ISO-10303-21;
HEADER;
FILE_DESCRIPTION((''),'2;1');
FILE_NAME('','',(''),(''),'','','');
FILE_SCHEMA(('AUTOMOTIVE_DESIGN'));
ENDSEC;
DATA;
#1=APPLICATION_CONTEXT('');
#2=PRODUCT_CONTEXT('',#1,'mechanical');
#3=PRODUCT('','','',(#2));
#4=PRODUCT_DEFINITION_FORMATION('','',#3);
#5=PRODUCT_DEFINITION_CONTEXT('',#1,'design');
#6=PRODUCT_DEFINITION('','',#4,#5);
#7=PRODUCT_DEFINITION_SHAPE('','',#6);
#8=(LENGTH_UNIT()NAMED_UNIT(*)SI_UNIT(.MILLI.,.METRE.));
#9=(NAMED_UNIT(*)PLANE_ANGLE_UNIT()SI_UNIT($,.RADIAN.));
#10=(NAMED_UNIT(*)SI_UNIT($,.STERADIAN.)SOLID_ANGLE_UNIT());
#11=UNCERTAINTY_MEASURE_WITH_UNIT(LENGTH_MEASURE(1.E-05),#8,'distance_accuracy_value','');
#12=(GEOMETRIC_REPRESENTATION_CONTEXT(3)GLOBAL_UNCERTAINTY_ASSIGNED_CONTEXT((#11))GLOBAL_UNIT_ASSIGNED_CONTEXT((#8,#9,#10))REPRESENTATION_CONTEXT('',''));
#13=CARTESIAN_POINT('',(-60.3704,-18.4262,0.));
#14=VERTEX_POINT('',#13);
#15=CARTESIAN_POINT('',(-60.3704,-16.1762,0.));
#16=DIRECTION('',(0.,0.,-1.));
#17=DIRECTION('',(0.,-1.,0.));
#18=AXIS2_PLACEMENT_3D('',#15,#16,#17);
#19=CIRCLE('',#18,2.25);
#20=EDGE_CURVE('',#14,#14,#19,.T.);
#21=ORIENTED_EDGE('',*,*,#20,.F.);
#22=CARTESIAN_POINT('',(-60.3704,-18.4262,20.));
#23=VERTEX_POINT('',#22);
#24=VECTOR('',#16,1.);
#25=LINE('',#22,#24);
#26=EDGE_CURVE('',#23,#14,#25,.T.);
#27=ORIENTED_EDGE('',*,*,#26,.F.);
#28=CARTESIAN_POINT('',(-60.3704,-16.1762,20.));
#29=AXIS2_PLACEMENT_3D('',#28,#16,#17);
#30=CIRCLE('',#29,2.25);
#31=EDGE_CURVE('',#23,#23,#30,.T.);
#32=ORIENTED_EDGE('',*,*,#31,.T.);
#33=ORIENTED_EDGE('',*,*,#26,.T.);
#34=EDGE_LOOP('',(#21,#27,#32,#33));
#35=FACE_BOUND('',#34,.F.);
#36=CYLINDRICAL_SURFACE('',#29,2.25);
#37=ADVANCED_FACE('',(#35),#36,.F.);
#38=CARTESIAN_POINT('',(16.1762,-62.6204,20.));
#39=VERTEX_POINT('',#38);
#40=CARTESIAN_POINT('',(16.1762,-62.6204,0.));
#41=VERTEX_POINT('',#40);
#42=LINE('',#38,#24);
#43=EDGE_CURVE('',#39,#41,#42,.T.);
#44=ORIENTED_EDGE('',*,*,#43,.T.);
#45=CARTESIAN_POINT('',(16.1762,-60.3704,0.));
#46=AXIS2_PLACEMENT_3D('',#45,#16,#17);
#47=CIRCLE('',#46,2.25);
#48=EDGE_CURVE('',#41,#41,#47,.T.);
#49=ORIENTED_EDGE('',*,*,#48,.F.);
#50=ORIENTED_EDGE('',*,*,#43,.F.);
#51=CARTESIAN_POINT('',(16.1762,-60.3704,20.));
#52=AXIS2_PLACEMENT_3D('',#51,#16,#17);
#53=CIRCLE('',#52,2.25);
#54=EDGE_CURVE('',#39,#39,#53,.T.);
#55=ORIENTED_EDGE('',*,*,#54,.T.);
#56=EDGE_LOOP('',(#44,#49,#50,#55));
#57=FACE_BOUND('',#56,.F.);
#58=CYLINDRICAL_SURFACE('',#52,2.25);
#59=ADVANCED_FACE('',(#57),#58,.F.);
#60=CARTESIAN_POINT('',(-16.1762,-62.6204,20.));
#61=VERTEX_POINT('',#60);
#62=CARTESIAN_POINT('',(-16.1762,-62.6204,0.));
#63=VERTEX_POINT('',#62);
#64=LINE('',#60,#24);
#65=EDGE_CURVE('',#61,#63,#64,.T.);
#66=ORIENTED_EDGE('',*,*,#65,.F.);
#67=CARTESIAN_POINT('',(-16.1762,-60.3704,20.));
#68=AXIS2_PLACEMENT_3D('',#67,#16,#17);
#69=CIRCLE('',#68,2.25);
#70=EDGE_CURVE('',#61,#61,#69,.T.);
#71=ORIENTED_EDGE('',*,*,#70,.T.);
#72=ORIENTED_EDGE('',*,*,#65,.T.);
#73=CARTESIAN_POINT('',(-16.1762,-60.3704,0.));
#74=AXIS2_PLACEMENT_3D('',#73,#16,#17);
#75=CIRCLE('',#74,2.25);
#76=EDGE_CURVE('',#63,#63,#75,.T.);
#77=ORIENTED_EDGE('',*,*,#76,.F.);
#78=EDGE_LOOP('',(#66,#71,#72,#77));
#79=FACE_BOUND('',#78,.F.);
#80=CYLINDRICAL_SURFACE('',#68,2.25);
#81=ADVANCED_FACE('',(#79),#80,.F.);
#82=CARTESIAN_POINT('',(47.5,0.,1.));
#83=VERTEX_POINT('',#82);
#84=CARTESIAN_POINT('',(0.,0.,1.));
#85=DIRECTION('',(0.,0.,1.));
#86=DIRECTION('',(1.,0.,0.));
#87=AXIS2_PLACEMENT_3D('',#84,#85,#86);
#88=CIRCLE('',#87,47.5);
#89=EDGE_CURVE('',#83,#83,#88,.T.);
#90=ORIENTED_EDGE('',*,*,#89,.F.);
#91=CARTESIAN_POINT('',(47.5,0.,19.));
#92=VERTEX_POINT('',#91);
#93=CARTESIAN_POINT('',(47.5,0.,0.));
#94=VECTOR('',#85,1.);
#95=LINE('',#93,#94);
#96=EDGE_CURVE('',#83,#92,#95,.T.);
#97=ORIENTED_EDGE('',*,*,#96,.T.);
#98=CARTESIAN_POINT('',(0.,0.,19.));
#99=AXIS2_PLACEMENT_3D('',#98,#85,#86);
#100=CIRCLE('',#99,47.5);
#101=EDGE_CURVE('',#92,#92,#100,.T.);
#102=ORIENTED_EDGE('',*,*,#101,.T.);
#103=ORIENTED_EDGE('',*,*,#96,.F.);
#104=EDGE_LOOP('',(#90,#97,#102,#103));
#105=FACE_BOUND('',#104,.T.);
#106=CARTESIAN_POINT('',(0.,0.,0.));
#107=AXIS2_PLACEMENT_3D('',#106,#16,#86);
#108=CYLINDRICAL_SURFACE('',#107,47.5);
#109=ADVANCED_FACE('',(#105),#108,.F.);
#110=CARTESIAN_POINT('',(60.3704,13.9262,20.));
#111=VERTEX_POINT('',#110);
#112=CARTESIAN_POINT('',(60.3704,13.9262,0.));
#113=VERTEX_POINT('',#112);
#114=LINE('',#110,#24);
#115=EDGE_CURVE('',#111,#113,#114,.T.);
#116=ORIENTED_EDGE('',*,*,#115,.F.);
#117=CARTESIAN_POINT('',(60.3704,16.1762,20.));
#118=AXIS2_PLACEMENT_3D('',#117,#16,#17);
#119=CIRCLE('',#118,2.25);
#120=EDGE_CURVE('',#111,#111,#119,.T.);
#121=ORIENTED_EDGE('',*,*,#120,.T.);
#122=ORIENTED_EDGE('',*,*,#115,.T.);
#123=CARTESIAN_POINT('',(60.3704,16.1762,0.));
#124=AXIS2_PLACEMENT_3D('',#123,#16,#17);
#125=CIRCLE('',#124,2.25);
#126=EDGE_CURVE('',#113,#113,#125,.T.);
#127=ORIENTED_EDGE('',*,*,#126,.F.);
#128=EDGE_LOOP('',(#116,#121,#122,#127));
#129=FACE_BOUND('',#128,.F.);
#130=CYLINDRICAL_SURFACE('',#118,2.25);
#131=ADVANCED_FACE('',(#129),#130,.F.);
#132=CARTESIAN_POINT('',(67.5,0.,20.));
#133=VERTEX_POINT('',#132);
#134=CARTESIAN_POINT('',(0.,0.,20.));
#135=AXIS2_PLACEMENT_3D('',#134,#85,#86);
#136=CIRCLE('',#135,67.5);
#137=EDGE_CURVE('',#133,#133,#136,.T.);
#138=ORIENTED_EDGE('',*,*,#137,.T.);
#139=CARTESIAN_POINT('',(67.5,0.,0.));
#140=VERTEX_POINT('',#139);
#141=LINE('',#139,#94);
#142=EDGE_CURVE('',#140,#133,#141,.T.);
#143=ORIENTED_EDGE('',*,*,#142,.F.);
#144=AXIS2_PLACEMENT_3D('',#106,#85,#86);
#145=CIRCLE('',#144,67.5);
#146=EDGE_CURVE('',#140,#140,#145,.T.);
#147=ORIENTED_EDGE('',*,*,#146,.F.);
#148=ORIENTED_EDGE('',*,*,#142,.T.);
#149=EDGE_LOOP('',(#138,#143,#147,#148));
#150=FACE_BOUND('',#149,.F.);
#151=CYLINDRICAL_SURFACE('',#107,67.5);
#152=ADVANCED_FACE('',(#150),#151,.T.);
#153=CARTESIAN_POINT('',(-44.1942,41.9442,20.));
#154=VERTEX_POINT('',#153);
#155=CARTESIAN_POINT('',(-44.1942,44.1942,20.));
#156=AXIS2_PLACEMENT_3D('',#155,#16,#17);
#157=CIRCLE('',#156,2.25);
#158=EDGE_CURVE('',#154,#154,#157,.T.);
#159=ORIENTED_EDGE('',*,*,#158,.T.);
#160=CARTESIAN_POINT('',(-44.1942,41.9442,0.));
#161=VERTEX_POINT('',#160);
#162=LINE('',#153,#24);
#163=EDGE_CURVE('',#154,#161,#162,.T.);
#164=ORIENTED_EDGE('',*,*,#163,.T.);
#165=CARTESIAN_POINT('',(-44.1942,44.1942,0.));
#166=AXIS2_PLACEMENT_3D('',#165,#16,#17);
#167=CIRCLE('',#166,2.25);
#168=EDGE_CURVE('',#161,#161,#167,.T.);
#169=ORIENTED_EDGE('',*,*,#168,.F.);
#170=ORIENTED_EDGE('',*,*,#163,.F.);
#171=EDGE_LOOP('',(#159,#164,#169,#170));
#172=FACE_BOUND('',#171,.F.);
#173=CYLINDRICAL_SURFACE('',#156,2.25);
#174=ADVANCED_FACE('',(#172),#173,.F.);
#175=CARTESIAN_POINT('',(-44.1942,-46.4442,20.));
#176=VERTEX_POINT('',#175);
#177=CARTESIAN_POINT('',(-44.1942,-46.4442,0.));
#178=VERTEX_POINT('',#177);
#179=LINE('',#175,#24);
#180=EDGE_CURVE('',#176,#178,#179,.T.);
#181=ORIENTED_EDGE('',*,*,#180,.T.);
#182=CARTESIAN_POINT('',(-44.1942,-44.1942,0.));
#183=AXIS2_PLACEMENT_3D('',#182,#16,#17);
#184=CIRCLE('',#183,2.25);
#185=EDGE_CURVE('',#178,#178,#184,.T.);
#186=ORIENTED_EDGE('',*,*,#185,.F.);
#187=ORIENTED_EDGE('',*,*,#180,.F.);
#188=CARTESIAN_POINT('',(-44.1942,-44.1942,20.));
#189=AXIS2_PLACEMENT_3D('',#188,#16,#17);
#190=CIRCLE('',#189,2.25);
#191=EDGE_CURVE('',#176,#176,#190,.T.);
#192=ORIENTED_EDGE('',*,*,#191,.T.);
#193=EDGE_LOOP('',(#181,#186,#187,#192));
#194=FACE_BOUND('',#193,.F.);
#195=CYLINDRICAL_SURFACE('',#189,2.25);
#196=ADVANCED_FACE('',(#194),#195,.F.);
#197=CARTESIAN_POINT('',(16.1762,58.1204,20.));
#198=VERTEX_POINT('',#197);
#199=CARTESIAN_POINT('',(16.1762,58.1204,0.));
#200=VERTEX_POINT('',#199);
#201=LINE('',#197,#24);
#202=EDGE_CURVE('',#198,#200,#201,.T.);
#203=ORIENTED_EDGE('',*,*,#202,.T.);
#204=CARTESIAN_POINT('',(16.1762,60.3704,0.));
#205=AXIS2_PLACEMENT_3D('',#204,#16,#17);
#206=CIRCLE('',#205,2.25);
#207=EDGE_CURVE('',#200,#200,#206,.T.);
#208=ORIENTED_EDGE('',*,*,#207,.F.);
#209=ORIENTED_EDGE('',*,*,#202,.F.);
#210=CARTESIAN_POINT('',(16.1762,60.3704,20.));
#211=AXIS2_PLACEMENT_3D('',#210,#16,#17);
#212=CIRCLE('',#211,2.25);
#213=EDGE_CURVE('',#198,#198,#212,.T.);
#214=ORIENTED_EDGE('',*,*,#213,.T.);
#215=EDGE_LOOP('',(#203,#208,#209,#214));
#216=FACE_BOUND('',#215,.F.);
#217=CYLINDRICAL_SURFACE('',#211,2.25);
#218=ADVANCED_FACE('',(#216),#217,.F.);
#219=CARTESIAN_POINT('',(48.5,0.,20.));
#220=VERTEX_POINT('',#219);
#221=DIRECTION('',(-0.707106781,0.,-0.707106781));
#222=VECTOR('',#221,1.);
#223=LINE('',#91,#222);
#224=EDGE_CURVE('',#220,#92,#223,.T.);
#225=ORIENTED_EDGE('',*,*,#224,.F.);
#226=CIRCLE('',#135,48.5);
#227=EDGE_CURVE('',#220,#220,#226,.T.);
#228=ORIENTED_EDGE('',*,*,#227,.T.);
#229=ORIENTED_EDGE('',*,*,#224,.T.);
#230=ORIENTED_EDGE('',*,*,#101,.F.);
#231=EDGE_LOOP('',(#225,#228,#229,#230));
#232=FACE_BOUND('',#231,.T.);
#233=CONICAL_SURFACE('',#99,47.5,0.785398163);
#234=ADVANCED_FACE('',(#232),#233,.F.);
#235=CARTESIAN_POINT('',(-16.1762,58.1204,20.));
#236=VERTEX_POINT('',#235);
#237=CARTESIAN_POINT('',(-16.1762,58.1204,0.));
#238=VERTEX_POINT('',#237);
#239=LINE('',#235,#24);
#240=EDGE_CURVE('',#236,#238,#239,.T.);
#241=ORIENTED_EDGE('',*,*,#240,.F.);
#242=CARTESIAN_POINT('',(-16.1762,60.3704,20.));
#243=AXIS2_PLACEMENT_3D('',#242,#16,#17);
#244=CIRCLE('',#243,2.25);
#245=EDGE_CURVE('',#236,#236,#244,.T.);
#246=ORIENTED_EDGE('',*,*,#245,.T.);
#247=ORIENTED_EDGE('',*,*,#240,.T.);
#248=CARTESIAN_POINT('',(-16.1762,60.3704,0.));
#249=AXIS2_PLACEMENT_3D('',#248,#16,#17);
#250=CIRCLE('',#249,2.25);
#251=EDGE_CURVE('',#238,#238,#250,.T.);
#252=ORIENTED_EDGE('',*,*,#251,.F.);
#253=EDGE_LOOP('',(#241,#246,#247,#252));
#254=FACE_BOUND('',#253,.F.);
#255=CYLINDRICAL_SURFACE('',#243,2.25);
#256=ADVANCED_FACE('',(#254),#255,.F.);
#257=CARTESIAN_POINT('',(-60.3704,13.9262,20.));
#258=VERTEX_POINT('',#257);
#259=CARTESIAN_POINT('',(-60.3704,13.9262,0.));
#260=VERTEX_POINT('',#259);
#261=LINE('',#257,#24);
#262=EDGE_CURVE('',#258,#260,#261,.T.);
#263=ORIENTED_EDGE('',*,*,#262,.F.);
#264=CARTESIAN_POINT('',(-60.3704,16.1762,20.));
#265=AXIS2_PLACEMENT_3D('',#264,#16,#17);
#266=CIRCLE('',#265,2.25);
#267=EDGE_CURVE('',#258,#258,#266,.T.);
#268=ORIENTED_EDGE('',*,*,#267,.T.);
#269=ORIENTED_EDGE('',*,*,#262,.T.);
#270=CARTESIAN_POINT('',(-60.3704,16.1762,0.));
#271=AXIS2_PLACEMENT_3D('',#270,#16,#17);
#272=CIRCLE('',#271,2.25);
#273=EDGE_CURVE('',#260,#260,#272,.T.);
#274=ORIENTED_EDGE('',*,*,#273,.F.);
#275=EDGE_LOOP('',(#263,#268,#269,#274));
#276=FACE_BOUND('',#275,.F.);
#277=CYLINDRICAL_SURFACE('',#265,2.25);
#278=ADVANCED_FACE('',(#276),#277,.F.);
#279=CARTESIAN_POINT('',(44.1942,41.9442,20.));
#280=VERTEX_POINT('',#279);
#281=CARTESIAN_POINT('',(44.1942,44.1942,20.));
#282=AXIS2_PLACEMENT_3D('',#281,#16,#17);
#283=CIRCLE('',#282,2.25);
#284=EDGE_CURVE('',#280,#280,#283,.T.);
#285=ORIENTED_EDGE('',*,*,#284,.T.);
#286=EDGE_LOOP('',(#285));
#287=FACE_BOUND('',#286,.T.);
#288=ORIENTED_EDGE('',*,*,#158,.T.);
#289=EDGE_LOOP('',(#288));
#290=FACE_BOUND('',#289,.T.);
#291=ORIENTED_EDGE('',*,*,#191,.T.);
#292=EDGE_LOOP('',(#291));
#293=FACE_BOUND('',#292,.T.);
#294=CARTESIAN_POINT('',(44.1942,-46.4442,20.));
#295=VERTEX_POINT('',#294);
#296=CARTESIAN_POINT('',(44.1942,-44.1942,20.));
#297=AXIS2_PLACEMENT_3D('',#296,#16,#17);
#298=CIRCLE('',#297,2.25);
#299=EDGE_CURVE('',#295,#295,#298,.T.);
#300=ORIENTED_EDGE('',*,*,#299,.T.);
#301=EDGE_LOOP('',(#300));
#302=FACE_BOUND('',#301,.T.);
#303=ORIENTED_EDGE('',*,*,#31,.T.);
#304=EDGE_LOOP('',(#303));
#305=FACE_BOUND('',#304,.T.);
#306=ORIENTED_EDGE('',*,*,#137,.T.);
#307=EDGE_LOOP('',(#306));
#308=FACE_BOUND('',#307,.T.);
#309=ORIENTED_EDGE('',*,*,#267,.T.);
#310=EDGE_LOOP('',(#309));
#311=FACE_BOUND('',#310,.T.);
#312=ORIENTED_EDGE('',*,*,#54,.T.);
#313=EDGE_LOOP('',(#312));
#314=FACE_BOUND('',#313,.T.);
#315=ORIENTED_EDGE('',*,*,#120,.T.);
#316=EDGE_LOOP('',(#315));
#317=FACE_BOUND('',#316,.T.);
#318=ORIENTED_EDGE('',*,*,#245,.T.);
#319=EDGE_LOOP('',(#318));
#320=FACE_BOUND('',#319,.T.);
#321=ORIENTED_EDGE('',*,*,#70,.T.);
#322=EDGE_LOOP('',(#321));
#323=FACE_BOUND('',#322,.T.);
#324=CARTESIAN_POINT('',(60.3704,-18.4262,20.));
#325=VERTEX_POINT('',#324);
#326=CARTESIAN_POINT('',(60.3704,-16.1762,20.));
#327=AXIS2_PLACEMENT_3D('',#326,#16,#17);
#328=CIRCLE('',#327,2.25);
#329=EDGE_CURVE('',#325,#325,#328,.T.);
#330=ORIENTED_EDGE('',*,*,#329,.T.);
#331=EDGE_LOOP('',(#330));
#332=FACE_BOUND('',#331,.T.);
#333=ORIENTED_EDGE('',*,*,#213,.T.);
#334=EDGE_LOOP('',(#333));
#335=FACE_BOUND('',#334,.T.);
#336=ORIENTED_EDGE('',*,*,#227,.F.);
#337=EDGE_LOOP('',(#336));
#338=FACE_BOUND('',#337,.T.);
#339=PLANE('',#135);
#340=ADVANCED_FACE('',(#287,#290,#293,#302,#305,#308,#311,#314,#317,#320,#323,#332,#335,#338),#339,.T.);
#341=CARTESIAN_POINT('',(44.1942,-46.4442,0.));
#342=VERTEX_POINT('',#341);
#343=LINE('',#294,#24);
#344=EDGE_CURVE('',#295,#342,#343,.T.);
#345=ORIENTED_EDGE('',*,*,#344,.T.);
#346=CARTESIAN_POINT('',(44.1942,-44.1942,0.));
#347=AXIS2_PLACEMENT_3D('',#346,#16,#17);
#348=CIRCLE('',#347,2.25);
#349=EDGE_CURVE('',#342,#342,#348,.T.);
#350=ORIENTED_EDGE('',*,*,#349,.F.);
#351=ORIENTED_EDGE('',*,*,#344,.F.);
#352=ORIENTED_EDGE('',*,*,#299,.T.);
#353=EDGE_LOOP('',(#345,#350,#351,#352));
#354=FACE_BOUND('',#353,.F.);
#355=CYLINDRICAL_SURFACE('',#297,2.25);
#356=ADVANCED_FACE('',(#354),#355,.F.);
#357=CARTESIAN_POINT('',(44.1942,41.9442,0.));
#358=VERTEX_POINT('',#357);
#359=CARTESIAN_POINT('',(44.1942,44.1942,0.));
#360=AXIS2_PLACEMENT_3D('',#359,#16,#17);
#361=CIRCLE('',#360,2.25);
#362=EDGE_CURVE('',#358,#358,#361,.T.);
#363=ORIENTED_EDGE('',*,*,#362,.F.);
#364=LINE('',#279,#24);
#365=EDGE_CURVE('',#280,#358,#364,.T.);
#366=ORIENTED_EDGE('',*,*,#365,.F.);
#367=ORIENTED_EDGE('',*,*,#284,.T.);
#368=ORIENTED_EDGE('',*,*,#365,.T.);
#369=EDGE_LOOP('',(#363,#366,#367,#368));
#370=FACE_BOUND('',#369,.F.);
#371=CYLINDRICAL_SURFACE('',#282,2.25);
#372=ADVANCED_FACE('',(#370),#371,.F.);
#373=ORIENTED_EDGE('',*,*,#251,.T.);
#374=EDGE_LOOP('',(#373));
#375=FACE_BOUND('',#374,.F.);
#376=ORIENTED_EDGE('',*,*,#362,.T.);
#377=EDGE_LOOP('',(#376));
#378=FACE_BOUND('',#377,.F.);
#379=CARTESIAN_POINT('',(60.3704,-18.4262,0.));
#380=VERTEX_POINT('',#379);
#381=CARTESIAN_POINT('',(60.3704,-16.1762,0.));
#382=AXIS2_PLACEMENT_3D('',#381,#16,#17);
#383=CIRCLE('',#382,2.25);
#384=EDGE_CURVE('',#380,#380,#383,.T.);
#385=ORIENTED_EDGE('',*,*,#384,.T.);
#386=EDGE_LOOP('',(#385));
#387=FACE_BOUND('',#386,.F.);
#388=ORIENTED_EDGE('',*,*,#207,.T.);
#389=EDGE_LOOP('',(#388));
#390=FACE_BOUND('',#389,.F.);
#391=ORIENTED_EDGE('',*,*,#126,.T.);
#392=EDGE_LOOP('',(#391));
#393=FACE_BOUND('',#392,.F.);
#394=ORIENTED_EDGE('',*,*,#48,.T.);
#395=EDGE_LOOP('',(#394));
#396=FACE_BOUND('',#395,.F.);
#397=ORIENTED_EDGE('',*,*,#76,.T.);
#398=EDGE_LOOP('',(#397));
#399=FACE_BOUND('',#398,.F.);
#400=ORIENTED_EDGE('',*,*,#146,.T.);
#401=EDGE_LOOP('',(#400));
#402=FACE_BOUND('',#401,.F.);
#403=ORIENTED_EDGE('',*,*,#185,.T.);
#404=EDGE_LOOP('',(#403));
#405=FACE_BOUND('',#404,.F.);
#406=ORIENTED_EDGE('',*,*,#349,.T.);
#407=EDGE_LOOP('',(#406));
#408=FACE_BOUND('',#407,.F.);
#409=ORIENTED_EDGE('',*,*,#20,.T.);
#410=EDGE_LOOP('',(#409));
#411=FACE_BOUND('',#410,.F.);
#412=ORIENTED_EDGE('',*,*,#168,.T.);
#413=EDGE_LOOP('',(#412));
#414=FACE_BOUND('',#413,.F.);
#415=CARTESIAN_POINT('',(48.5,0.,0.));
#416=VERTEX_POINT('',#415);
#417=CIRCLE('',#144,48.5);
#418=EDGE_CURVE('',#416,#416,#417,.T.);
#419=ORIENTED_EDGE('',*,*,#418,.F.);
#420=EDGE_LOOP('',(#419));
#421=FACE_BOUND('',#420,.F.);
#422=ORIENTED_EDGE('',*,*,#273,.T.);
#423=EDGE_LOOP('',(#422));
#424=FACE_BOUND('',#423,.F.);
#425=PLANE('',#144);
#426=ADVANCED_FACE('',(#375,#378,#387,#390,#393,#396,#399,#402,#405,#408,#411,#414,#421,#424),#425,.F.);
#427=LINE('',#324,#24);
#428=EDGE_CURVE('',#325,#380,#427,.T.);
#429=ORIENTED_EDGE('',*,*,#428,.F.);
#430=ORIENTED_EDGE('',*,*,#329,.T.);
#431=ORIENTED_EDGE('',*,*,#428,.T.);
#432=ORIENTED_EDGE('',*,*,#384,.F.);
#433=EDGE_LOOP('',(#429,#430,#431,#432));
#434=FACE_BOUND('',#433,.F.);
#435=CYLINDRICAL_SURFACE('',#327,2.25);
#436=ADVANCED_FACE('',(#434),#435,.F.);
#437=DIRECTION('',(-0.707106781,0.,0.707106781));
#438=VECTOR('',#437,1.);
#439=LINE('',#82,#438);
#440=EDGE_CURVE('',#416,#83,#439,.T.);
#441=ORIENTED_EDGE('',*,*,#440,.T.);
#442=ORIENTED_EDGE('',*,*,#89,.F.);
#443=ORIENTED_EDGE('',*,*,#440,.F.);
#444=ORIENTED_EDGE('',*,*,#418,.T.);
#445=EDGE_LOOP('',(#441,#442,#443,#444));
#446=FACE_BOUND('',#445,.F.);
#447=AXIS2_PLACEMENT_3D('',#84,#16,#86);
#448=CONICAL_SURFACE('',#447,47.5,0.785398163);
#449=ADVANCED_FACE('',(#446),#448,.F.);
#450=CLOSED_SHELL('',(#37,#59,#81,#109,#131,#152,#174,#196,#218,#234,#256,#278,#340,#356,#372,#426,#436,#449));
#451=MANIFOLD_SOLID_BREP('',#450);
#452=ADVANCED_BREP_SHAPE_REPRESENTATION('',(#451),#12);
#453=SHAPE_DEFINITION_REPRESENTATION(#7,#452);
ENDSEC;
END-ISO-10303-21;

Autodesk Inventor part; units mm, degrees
ref_plane "YZ Plane" through (0, 0, 0) normal (1, 0, 0) x (0, 1, 0)
ref_plane "XZ Plane" through (0, 0, 0) normal (0, 1, 0) x (-1, 0, 0)
ref_plane "XY Plane" through (0, 0, 0) normal (0, 0, 1) x (1, 0, 0)
sketch "スケッチ1" plane through (0, 0, 0) normal (0, 0, 1) x (1, 0, 0)
  circle A0 centre (0, 0) radius 47.5
  circle A1 centre (0, 0) radius 67.5
  dimension "d0" = 95
  dimension "d1" = 135
extrude "押し出し1" add sketch "スケッチ1" along normal blind 20
sketch "スケッチ2" plane through (0, 0, 20) normal (0, 0, 1) x (1, 0, 0)
  circle A0 centre (0, 0) radius 62.5
  point P0 (16.1762, 60.3704)
  point P1 (-16.1762, 60.3704)
  point P2 (-44.1942, 44.1942)
  point P3 (-60.3704, 16.1762)
  point P4 (-60.3704, -16.1762)
  point P5 (-44.1942, -44.1942)
  point P6 (-16.1762, -60.3704)
  point P7 (16.1762, -60.3704)
  point P8 (44.1942, -44.1942)
  point P9 (60.3704, -16.1762)
  point P10 (60.3704, 16.1762)
  point P11 (44.1942, 44.1942)
  dimension "d4" = 125
  dimension "d7" = 360
  dimension "d25" = 0
hole "穴1" at (16.1762, 60.3704, 20) at (-16.1762, 60.3704, 20) at (-44.1942, 44.1942, 20) at (-60.3704, 16.1762, 20) at (-60.3704, -16.1762, 20) at (-44.1942, -44.1942, 20) at (-16.1762, -60.3704, 20) at (16.1762, -60.3704, 20) at (44.1942, -44.1942, 20) at (60.3704, -16.1762, 20) at (60.3704, 16.1762, 20) at (44.1942, 44.1942, 20) direction (0, 0, -1) diameter 4.5 end through all clearance for "Flat Head Machine Screw" size "M4" standard "Ansi Metric M Profile"
chamfer "面取り1" distance 1 angle 45 2 edges at (-47.5, 0, 20) (-47.5, 0, 0)
sketch "スケッチ3" plane through (0, 0, 20) normal (0, 0, 1) x (1, 0, 0)
  circle A0 centre (16.1762, 60.3704) radius 2.25 projected
  circle A1 centre (-16.1762, 60.3704) radius 2.25 projected
  circle A2 centre (0, 0) radius 67.5 projected
  circle A3 centre (-16.1762, 60.3704) radius 5
  circle A4 centre (16.1762, 60.3704) radius 5
  circle A5 centre (0, 0) radius 62.5
  point P0 (-11.2987, 61.4702)
  point P1 (11.2987, 61.4702)
  point P2 (17.4703, 65.2)
  point P3 (-17.4703, 65.2)
properties part number "unit-base3" material "ABS プラスチック"
